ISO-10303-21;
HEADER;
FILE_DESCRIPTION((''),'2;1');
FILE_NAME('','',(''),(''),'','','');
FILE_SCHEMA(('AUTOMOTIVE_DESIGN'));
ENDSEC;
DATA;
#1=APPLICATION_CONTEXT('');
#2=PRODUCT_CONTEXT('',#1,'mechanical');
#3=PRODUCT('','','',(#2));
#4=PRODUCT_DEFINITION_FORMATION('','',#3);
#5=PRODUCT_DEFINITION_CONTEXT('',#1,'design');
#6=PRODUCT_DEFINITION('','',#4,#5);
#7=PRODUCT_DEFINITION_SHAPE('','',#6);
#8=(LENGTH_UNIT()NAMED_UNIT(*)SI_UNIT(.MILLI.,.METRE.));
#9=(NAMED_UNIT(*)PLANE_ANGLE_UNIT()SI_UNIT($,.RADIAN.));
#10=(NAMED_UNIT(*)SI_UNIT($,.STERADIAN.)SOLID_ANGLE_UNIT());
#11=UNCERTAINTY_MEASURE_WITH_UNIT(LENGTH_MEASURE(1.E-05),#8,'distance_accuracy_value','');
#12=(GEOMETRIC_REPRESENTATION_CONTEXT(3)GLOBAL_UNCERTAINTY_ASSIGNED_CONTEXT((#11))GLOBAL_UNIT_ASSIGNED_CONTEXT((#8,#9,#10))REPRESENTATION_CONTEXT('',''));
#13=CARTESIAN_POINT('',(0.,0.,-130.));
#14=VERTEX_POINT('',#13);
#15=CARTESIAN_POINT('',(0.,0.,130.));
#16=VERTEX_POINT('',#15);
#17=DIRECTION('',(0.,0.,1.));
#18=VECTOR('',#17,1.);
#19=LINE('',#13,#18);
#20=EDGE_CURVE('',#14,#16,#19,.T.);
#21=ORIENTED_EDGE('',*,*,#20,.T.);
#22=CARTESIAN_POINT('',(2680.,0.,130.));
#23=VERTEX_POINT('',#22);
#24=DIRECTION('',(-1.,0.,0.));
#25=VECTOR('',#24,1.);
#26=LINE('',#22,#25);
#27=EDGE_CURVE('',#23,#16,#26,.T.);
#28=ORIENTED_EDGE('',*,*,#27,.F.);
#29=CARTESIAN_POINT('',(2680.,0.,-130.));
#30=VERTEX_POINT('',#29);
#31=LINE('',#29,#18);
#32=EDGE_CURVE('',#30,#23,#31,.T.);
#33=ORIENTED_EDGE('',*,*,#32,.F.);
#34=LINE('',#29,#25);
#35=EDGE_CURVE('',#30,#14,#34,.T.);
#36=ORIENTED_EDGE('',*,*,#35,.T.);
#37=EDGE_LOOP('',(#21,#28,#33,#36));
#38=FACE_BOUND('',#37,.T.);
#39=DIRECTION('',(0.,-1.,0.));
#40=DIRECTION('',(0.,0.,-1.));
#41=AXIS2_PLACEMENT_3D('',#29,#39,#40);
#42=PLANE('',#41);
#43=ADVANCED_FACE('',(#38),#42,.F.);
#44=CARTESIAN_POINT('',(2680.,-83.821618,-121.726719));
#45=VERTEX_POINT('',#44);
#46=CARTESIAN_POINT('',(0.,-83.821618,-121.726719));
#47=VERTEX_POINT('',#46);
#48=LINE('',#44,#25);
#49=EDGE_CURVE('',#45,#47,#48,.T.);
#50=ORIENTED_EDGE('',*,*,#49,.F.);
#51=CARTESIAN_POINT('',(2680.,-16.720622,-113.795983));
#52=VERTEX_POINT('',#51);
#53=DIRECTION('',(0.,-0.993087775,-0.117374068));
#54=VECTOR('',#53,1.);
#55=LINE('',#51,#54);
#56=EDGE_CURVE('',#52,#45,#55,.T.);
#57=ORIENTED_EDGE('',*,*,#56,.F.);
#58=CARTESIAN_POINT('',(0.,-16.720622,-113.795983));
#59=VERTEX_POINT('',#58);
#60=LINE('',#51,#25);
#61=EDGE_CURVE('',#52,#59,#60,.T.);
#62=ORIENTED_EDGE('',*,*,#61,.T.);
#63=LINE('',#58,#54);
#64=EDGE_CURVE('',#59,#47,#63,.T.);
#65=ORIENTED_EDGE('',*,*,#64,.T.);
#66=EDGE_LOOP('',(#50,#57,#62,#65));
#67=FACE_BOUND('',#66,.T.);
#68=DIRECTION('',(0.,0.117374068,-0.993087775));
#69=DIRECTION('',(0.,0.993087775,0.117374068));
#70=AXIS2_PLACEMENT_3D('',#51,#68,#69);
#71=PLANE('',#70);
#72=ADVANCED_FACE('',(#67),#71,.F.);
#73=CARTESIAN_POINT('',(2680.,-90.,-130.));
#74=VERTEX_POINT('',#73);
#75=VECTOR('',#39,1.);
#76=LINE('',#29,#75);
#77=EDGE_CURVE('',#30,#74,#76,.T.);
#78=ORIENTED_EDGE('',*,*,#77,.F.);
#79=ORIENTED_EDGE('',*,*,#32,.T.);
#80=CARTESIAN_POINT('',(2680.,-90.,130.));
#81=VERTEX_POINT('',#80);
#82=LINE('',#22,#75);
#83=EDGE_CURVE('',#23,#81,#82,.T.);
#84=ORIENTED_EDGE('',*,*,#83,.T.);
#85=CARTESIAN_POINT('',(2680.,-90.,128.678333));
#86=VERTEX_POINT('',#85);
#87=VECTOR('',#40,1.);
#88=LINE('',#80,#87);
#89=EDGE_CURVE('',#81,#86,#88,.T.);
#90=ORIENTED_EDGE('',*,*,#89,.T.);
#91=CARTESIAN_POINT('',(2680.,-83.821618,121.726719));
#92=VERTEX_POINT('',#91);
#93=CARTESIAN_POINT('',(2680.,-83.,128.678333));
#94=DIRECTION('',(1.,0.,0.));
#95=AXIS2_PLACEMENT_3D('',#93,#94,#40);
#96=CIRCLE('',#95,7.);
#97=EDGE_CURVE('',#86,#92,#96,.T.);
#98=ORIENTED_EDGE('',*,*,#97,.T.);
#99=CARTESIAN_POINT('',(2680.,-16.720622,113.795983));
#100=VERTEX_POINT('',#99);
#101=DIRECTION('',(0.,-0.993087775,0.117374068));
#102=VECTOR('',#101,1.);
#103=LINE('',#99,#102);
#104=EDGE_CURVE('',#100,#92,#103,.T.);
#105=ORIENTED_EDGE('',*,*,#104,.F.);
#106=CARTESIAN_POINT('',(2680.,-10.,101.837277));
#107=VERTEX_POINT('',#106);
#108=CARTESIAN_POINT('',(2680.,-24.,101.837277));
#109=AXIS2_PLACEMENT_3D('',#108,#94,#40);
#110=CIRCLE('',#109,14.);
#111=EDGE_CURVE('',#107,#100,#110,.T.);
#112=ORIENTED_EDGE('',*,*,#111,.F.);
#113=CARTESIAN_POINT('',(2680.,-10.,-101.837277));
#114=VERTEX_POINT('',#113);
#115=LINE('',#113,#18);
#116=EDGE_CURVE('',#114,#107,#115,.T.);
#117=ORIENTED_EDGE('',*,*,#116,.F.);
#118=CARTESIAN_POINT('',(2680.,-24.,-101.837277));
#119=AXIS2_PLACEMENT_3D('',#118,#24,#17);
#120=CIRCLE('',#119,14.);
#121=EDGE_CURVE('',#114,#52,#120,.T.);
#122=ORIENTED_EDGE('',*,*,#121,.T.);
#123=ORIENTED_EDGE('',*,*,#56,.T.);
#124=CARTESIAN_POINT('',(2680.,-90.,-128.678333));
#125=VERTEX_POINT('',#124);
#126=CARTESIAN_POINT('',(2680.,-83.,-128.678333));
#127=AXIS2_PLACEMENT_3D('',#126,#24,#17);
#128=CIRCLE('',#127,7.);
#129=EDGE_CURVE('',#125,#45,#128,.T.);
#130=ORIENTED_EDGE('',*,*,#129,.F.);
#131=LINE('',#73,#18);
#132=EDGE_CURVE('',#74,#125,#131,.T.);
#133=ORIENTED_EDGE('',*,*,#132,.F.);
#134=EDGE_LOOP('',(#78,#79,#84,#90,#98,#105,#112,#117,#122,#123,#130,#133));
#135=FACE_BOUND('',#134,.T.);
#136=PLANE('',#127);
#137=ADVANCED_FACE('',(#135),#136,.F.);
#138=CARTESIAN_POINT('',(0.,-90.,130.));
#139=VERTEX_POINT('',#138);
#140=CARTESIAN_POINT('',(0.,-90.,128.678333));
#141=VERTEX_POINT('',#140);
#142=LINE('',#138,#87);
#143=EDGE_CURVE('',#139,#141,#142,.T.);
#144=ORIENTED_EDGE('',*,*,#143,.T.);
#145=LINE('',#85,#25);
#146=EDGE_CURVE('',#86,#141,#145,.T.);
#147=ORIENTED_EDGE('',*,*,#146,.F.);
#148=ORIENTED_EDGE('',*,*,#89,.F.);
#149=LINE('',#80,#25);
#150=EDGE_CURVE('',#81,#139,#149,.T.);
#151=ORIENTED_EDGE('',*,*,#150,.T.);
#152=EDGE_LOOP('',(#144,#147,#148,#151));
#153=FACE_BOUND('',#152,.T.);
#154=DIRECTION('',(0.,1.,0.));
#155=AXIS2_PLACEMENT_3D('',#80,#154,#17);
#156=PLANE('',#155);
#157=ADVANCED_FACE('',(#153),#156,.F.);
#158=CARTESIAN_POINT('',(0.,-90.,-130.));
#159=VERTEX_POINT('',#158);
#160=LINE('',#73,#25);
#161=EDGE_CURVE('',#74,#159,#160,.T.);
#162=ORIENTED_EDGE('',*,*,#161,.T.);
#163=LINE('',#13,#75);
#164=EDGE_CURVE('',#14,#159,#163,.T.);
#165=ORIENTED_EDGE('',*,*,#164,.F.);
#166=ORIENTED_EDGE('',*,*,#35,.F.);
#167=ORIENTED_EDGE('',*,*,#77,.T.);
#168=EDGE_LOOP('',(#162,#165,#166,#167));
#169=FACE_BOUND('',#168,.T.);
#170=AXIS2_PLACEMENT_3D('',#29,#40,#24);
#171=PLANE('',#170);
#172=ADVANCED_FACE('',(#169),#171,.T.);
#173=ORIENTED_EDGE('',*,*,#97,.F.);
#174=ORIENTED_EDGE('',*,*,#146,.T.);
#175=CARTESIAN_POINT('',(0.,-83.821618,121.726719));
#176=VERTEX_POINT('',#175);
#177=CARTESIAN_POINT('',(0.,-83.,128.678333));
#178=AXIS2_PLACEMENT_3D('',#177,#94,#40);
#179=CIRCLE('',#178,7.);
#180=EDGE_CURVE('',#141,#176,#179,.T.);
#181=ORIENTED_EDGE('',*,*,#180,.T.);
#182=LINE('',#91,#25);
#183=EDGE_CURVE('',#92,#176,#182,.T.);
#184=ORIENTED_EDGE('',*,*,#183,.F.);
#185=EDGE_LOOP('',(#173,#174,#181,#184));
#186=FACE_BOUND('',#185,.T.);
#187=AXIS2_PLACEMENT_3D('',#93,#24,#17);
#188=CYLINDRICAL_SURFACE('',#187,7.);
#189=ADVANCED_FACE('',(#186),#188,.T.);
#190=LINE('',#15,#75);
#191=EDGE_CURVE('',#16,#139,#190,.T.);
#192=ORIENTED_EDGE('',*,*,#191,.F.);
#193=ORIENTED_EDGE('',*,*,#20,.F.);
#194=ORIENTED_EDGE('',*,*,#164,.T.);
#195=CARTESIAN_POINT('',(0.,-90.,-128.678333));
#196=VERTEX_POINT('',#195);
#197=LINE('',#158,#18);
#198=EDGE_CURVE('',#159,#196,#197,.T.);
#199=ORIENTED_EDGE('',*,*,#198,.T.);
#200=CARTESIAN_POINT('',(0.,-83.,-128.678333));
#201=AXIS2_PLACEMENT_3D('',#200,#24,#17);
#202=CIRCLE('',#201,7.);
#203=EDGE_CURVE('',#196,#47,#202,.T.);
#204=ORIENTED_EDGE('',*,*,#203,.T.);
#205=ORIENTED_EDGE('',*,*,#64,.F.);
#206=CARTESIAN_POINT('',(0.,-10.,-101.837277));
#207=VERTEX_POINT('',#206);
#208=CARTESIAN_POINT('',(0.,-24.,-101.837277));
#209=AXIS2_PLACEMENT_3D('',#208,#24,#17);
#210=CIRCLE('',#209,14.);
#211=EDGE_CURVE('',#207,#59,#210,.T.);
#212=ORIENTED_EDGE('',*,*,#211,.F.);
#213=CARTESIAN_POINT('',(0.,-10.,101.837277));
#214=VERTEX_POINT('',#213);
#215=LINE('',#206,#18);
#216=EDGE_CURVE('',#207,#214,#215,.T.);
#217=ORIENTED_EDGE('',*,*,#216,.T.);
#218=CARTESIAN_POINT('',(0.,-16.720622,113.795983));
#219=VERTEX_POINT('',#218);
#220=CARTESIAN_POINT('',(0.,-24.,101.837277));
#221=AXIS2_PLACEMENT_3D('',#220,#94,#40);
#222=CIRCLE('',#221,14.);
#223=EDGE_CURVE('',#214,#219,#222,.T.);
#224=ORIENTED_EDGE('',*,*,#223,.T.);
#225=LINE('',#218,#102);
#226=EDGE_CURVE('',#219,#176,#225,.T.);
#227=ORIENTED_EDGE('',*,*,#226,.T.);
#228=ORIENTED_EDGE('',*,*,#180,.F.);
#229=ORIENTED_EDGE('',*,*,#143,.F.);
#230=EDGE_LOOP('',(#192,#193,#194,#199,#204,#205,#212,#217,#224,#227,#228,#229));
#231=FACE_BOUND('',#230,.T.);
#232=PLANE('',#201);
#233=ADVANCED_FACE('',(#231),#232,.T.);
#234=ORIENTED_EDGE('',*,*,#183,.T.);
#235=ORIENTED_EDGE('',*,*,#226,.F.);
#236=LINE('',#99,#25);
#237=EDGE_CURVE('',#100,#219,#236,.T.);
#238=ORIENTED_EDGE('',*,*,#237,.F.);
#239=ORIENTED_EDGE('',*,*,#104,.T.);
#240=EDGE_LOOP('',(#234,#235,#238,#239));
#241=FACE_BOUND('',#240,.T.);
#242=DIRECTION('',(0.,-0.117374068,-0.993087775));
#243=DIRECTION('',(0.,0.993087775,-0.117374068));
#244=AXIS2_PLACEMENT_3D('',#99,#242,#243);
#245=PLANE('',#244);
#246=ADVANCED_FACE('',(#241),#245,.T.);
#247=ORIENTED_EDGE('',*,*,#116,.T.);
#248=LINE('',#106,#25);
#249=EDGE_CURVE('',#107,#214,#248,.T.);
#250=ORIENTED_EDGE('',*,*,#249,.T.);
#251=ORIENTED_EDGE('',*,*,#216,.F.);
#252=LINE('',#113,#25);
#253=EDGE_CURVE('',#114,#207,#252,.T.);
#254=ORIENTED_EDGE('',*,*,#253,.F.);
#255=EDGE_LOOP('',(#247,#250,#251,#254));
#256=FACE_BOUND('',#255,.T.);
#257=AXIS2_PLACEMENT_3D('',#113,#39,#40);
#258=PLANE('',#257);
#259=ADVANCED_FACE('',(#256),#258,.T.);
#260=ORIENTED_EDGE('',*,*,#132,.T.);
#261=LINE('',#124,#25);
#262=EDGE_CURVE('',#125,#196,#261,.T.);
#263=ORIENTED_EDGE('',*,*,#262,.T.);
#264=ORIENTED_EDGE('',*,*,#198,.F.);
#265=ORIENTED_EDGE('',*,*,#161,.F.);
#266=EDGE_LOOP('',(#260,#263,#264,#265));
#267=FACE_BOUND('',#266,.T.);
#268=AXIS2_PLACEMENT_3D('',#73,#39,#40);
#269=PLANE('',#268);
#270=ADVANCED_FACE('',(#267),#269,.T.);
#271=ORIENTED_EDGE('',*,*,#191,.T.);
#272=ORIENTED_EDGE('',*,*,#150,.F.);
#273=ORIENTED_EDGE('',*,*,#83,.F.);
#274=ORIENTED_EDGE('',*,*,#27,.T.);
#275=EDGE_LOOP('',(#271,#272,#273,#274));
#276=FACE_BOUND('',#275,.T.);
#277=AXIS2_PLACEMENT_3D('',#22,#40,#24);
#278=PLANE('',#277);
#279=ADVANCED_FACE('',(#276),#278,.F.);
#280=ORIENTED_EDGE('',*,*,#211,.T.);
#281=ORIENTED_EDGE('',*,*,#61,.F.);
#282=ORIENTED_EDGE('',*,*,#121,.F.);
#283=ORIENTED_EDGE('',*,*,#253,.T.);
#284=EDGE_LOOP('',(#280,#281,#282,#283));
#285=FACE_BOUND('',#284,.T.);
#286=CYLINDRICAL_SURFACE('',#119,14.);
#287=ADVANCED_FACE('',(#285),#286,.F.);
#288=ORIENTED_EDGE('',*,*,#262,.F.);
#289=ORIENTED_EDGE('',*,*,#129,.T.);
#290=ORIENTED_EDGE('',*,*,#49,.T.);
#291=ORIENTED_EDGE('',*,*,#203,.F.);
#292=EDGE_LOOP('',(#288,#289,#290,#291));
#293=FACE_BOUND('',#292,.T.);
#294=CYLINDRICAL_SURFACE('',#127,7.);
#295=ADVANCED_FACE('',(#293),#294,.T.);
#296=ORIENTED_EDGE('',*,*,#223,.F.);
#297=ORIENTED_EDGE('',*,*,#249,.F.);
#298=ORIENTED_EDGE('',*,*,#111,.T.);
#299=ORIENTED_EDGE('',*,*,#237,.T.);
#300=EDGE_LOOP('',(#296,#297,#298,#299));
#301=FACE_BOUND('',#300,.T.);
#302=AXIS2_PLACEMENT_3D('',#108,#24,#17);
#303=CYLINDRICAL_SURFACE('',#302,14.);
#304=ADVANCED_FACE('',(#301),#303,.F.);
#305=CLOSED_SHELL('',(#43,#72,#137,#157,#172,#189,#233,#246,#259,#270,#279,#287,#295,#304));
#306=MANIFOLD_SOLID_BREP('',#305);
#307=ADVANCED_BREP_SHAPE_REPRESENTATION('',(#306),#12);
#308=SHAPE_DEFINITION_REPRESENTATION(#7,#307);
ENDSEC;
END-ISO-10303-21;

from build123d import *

# Parameters (mm, degrees)
EXTRUDE_1_DEPTH = 2680


with BuildPart() as part:
    # Эскиз2 → Бобышка-Вытянуть1 (new body)
    with BuildSketch(Plane(origin=(0, 0, 0), x_dir=(0, 0, -1), z_dir=(1, 0, 0))):
        with BuildLine():
            Line((130, 0), (-130, 0))
            Line((-130, 0), (-130, -90))
            Line((-130, -90), (-128.678333405, -90))
            ThreePointArc((-128.678333405, -90), (-124.028136062, -88.232175902), (-121.726718983, -83.821618477))
            Line((-121.726718983, -83.821618477), (-113.795983048, -16.720622289))
            ThreePointArc((-113.795983048, -16.720622289), (-108.696165424, -11.795261413), (-101.83727659, -10))
            Line((-101.83727659, -10), (101.83727659, -10))
            ThreePointArc((101.83727659, -10), (108.696165424, -11.795261413), (113.795983048, -16.720622289))
            Line((113.795983048, -16.720622289), (121.726718983, -83.821618477))
            ThreePointArc((121.726718983, -83.821618477), (124.028136062, -88.232175902), (128.678333405, -90))
            Line((128.678333405, -90), (130, -90))
            Line((130, -90), (130, 0))
        make_face()
    extrude(amount=EXTRUDE_1_DEPTH)


solid = part.part
